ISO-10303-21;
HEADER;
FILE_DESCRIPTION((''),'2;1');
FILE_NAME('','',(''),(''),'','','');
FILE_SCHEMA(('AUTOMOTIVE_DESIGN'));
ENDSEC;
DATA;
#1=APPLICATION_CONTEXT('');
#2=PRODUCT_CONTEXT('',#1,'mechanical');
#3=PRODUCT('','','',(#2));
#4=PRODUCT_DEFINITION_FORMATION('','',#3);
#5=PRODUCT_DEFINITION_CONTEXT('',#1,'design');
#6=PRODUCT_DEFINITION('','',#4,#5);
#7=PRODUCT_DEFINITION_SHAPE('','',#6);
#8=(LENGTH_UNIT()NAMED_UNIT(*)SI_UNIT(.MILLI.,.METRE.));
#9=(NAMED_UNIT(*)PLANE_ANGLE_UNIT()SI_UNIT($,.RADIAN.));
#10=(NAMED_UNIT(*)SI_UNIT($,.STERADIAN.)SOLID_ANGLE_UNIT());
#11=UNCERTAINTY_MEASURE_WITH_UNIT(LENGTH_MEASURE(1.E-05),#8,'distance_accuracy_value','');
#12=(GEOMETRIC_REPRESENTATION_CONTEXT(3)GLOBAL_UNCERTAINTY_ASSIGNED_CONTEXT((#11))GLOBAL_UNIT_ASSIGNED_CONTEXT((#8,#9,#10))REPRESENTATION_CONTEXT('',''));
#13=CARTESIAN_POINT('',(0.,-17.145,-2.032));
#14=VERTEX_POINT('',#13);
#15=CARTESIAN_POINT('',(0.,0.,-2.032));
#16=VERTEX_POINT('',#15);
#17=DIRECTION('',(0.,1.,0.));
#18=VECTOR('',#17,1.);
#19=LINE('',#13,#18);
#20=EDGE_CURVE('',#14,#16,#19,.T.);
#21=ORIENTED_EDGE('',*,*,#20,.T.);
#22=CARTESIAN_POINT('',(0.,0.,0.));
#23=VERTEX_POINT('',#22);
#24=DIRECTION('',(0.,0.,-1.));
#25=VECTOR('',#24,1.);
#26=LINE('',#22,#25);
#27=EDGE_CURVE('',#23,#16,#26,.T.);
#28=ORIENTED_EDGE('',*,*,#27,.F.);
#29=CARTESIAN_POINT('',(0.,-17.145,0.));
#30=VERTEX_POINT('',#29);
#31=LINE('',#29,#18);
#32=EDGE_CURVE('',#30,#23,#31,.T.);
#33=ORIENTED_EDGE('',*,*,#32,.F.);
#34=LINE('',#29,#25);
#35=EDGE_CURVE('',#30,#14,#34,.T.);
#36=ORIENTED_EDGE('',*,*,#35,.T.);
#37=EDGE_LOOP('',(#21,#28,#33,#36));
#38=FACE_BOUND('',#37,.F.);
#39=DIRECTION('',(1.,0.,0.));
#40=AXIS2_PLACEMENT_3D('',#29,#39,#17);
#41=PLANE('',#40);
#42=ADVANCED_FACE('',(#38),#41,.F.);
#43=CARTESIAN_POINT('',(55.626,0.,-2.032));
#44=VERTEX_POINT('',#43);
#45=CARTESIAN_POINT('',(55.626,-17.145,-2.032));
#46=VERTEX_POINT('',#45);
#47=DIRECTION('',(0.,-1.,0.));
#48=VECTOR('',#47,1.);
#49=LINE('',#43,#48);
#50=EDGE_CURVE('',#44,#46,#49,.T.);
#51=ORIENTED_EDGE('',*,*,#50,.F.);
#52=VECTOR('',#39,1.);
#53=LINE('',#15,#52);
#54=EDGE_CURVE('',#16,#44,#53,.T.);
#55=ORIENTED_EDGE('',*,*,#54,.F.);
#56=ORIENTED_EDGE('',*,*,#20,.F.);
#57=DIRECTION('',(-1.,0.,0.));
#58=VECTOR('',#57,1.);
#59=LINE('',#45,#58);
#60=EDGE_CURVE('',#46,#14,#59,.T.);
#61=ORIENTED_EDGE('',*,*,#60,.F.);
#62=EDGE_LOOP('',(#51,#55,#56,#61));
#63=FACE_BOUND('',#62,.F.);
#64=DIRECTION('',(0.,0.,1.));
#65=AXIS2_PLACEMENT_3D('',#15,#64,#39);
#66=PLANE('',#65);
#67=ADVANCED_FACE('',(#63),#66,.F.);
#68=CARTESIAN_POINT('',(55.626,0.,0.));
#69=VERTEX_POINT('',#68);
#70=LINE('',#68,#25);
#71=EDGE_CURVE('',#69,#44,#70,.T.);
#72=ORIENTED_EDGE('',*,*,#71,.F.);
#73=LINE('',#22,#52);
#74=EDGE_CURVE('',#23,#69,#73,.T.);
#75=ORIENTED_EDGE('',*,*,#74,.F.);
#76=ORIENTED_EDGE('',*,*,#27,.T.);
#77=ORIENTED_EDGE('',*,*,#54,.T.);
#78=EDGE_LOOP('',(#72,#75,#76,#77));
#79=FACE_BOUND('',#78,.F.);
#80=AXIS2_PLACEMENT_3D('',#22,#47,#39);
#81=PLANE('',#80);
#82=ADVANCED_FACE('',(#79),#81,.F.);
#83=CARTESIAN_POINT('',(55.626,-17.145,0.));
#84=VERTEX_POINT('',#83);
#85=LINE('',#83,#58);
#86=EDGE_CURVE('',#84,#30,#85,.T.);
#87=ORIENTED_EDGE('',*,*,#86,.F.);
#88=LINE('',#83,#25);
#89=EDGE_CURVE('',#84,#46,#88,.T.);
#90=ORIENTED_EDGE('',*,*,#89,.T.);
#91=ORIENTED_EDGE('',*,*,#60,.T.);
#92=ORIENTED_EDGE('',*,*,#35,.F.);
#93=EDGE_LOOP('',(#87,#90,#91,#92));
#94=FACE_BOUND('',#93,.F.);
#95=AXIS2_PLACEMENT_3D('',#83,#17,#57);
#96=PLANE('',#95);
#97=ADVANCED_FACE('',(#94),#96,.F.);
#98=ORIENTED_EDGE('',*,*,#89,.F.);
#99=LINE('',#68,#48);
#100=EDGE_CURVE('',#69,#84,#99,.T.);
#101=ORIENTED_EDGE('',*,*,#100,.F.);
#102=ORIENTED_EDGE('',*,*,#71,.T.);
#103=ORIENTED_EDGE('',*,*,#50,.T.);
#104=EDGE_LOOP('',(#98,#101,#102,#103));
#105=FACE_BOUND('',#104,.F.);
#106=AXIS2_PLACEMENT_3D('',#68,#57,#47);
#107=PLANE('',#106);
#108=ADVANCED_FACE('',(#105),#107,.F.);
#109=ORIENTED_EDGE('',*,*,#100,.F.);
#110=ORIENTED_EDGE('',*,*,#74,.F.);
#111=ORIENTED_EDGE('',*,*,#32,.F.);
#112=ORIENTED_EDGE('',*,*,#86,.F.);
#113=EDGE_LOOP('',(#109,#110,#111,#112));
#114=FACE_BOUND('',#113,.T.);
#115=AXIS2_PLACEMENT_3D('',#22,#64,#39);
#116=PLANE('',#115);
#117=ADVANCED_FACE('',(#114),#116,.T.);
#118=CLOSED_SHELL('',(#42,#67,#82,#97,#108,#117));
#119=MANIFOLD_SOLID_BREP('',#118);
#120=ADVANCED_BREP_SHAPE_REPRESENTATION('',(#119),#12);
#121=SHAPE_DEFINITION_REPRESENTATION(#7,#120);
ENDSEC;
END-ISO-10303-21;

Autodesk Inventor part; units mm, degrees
ref_plane "YZ Plane" through (0, 0, 0) normal (1, 0, 0) x (0, 1, 0)
ref_plane "XZ Plane" through (0, 0, 0) normal (0, 1, 0) x (-1, 0, 0)
ref_plane "XY Plane" through (0, 0, 0) normal (0, 0, 1) x (1, 0, 0)
sketch "Sketch1" plane through (0, 0, 0) normal (0, 0, 1) x (1, 0, 0)
  line L0 (0, 0) -> (55.626, 0)
  line L1 (55.626, 0) -> (55.626, -17.145)
  line L2 (55.626, -17.145) -> (0, -17.145)
  line L3 (0, -17.145) -> (0, 0)
  dimension "d0" = 55.626
  dimension "d1" = 17.145
extrude "Extrusion1" add sketch "Sketch1" against normal blind 2.032
properties part number ".08 Thick Polycarbonate Sheet"
